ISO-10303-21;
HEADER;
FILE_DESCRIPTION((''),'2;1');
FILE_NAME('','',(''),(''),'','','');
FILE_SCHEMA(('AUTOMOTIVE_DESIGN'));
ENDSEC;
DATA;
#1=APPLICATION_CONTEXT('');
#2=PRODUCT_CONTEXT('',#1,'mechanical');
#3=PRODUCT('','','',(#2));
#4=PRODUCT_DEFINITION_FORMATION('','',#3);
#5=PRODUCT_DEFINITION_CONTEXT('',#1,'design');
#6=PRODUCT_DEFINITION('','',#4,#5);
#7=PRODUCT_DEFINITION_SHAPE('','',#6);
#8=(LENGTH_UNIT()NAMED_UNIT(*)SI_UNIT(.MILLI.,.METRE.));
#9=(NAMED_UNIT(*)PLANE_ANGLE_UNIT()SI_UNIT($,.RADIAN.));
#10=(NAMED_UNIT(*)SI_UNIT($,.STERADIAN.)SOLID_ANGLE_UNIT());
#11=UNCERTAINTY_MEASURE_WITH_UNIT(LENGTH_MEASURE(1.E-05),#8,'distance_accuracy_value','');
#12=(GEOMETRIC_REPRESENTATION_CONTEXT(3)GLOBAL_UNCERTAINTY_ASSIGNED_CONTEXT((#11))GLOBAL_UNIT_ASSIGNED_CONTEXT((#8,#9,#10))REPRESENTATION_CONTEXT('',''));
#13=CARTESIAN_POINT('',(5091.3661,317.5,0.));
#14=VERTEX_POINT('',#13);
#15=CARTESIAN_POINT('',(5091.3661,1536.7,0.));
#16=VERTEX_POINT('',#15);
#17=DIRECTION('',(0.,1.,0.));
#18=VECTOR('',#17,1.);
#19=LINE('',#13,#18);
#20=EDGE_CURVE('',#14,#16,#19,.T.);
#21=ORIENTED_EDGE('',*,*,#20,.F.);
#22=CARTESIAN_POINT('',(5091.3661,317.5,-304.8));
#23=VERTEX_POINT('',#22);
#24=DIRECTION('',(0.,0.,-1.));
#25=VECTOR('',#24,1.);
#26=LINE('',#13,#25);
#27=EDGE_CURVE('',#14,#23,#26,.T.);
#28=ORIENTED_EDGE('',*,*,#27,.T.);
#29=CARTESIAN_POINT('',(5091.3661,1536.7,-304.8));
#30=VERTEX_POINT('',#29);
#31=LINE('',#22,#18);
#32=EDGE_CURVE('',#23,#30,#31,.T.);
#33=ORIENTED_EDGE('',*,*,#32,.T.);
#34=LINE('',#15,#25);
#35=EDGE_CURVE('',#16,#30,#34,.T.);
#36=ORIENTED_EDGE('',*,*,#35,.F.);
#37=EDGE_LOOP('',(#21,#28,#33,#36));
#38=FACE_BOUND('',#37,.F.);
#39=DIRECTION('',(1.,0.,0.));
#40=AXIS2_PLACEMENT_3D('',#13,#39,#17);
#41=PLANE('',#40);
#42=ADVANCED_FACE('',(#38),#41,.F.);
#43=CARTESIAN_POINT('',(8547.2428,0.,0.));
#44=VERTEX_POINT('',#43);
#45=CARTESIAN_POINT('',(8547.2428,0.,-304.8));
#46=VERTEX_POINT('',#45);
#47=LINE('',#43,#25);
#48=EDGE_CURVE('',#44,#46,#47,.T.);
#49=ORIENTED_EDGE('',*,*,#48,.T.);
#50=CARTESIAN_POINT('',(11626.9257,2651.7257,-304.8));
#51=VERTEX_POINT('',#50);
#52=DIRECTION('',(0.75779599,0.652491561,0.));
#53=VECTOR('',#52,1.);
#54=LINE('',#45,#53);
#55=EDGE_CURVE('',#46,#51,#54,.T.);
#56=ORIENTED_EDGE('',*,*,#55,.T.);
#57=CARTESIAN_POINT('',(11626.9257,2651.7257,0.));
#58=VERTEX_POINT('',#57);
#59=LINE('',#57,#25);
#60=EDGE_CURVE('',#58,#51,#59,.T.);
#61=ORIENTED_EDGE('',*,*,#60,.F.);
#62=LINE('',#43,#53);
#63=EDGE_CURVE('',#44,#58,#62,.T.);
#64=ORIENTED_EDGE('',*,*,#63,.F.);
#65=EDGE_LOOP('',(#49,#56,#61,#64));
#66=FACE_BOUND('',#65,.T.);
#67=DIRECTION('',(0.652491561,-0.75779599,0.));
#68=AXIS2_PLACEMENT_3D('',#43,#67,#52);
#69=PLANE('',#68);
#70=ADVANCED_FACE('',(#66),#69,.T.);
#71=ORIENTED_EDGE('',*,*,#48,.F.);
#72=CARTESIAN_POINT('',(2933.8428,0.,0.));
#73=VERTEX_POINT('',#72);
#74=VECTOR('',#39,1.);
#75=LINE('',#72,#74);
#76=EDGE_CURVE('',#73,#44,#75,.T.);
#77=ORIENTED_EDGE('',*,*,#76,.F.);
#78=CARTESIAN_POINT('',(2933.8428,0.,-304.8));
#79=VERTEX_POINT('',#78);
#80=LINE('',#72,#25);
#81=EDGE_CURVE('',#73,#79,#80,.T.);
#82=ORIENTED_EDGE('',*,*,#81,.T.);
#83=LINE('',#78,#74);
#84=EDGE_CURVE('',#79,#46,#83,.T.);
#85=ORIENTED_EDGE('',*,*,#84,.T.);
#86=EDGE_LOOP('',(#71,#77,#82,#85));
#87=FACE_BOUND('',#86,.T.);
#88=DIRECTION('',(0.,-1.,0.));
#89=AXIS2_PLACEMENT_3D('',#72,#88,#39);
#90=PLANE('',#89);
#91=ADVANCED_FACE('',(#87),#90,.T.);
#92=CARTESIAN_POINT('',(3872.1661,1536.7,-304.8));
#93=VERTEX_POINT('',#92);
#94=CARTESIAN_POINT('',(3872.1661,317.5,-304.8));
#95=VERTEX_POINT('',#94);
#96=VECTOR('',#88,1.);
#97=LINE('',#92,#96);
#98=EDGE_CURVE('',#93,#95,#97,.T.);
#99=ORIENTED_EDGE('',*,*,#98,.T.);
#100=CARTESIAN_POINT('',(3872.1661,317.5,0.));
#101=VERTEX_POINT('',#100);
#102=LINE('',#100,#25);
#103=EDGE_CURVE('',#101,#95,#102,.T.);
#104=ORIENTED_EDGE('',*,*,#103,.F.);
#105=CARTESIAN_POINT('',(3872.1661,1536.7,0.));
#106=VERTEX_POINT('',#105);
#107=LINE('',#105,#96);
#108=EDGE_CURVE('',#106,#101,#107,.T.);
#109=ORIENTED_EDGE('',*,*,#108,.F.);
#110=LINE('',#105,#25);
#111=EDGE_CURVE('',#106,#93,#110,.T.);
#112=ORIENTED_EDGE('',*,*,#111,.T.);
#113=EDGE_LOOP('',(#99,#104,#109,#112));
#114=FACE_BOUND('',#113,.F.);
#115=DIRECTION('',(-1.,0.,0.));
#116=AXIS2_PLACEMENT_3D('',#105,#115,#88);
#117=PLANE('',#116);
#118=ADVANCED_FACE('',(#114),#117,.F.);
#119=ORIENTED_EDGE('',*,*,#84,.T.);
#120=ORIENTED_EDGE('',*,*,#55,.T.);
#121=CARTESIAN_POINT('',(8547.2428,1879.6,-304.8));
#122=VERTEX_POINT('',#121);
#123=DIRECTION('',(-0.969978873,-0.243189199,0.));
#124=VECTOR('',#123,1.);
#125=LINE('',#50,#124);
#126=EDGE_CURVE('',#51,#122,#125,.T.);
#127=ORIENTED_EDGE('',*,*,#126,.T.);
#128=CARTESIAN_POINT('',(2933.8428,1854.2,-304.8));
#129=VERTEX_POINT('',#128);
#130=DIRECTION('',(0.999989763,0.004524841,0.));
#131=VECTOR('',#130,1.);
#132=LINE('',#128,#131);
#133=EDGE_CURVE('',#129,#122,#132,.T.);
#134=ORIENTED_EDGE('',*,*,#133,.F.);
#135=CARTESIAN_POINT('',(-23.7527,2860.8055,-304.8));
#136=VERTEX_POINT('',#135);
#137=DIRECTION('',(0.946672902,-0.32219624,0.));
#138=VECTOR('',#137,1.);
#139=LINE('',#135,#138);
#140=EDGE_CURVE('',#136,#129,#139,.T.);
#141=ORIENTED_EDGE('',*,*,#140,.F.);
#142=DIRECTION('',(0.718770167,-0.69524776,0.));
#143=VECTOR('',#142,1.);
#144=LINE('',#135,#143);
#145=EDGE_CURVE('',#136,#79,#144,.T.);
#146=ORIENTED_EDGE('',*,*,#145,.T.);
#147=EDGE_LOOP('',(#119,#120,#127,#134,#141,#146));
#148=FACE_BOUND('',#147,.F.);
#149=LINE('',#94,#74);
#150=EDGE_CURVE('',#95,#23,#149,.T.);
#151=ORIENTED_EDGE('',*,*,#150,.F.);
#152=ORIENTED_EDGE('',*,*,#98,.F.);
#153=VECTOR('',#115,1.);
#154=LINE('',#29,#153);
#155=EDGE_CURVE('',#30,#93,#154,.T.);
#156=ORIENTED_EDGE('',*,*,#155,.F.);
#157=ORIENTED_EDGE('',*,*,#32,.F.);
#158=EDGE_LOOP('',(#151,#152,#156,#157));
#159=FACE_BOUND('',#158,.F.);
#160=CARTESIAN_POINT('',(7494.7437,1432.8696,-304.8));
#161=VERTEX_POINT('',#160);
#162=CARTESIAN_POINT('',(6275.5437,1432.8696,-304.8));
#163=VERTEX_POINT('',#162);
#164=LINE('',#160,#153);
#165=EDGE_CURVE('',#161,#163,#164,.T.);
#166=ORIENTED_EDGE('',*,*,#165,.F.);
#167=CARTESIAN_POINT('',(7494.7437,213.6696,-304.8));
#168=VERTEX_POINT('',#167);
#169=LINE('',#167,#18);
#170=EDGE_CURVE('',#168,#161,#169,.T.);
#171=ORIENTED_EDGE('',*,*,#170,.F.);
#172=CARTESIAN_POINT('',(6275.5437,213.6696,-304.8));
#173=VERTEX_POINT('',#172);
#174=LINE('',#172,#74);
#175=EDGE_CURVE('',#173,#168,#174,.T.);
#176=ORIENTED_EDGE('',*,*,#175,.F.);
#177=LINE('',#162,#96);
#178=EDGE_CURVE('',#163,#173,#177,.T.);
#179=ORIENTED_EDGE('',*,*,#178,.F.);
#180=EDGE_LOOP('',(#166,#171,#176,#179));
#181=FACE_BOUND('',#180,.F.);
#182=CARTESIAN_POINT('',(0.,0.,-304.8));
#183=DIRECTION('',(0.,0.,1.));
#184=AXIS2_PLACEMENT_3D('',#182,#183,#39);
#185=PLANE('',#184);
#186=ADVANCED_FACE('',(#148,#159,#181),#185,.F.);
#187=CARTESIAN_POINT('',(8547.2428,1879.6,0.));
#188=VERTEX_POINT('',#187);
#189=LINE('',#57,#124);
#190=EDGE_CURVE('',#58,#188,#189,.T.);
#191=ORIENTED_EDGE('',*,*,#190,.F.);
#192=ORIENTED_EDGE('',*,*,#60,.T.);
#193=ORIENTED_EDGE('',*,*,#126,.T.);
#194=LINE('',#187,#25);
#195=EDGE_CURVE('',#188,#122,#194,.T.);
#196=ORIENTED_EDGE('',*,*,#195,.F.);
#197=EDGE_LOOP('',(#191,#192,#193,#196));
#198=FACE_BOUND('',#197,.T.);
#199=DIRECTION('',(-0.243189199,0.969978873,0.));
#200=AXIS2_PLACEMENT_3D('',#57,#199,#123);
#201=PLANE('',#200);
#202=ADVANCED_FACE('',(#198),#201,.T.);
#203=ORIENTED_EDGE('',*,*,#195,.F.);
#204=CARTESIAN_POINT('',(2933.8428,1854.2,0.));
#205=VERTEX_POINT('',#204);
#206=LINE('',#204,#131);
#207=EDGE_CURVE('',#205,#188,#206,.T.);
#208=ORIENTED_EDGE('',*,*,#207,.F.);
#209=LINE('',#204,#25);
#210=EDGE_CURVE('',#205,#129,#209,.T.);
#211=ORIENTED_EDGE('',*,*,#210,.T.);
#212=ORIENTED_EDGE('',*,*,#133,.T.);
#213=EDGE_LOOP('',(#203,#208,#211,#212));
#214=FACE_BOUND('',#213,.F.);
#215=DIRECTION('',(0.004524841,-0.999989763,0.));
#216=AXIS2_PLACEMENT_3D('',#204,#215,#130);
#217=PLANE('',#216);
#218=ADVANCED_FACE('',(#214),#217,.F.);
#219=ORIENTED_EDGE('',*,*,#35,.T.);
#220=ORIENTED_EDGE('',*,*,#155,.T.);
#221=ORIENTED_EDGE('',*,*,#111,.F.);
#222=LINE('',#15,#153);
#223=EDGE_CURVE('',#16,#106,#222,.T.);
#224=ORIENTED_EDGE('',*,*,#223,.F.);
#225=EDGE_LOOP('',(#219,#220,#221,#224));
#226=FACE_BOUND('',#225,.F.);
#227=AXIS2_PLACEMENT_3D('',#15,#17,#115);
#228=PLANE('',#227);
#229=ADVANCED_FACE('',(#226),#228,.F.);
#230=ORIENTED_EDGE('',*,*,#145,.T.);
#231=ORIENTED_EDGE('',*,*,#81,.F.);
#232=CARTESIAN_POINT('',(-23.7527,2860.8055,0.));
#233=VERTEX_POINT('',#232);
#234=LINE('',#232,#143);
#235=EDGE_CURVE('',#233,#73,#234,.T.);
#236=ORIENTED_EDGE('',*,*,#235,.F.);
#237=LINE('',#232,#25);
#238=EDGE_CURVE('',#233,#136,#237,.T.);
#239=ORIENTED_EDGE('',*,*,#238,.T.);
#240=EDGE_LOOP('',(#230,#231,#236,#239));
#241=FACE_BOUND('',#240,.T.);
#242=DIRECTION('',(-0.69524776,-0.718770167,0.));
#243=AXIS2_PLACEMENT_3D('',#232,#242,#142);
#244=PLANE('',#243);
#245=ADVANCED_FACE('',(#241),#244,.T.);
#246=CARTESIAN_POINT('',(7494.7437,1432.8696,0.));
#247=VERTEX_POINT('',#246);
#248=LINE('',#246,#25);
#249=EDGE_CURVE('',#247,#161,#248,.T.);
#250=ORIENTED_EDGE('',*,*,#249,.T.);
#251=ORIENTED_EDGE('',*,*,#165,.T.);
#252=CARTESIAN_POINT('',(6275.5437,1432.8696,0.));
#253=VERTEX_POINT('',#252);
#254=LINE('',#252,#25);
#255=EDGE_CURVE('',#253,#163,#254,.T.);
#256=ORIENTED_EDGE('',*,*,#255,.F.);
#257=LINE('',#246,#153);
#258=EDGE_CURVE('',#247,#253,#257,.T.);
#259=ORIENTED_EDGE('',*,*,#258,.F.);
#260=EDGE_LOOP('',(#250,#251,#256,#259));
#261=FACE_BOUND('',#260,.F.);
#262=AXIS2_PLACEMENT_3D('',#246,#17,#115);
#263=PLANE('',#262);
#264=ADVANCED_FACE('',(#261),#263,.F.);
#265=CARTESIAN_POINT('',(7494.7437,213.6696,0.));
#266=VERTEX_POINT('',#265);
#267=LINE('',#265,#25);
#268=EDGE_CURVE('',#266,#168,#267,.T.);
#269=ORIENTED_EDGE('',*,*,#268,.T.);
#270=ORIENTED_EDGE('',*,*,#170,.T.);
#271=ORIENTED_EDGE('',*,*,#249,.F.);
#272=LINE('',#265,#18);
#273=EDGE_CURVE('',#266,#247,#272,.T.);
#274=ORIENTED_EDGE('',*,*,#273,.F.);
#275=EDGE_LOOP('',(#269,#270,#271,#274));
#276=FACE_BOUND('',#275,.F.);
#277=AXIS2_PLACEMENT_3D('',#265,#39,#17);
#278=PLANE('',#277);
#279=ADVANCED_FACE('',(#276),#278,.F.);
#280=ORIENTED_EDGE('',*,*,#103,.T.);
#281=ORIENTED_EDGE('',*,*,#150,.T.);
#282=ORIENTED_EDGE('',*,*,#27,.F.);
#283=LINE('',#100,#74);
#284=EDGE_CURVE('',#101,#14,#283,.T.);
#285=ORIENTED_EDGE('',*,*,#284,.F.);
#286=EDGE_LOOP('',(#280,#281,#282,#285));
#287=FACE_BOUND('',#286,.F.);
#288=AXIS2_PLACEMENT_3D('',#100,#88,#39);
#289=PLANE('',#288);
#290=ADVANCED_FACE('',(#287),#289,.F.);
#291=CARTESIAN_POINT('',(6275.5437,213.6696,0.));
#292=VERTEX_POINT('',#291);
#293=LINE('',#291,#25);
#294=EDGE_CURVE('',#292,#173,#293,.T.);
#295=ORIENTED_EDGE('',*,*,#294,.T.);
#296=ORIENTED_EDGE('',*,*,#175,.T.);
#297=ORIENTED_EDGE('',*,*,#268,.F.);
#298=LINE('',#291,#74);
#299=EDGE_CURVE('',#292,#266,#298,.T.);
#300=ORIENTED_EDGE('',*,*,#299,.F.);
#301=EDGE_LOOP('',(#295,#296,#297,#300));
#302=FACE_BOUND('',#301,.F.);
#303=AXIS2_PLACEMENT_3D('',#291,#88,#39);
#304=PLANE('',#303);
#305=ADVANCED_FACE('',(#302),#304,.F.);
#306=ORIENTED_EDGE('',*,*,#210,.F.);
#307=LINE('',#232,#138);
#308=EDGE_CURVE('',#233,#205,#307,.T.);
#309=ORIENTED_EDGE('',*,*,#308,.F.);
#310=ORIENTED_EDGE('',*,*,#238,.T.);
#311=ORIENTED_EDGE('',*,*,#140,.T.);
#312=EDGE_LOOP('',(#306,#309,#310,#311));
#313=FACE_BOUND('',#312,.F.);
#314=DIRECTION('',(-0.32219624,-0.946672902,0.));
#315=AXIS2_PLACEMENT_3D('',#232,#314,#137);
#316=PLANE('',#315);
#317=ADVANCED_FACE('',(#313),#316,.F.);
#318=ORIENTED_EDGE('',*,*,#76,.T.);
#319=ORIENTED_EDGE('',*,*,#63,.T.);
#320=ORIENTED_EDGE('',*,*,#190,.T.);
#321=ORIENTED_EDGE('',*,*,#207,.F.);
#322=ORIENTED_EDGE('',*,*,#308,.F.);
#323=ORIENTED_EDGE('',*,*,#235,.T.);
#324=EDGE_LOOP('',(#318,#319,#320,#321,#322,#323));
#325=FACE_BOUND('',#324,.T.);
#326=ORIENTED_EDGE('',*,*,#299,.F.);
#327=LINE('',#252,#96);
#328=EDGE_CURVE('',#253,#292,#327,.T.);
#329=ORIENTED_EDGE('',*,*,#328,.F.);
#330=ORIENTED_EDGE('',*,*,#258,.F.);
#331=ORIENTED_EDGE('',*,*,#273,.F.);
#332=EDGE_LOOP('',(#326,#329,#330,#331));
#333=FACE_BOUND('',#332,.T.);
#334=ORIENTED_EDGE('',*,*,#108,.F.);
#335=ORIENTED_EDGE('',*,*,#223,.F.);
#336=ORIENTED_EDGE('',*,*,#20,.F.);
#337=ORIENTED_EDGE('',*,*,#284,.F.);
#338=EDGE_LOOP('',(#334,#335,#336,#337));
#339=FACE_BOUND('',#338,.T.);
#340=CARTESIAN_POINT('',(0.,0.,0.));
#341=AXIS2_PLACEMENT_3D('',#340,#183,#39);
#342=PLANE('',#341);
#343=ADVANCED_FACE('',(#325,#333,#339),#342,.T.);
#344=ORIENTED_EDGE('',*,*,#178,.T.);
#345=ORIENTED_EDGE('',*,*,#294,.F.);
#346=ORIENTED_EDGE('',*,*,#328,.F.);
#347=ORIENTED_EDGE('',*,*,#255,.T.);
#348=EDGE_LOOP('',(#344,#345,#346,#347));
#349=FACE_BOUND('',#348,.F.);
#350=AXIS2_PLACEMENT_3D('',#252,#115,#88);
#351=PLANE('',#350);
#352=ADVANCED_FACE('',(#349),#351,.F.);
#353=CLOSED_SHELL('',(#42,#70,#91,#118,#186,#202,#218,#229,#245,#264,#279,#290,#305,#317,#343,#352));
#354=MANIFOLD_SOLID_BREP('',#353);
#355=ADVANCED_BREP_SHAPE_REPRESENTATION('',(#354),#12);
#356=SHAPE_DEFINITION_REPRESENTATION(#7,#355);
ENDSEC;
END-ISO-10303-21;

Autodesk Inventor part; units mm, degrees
ref_plane "YZ Plane" through (0, 0, 0) normal (1, 0, 0) x (0, 1, 0)
ref_plane "XZ Plane" through (0, 0, 0) normal (0, 1, 0) x (-1, 0, 0)
ref_plane "XY Plane" through (0, 0, 0) normal (0, 0, 1) x (1, 0, 0)
sketch "Sketch1" plane through (0, 0, 0) normal (0, 0, 1) x (1, 0, 0)
  line L0 (-23.7527, 2860.8055) -> (2933.8428, 0)
  line L1 (2933.8428, 0) -> (2933.8428, 1854.2)
  line L2 (2933.8428, 0) -> (8547.2428, 0)
  line L3 (8547.2428, 0) -> (8547.2428, 1879.6)
  line L4 (2933.8428, 1854.2) -> (2933.8428, 0)
  line L5 (8547.2428, 0) -> (11626.9257, 2651.7257)
  line L6 (11626.9257, 2651.7257) -> (8547.2428, 1879.6)
  line L7 (3872.1661, 317.5) -> (5091.3661, 317.5)
  line L8 (5091.3661, 317.5) -> (5091.3661, 1536.7)
  line L9 (5091.3661, 1536.7) -> (3872.1661, 1536.7)
  line L10 (3872.1661, 1536.7) -> (3872.1661, 317.5)
  line L11 (3872.1661, 317.5) -> (5091.3661, 1536.7) construction
  line L12 (5091.3661, 317.5) -> (3872.1661, 1536.7) construction
  line L13 (-23.7527, 2860.8055) -> (2933.8428, 1854.2)
  line L14 (2933.8428, 1854.2) -> (8547.2428, 1879.6)
  line L15 (6275.5437, 213.6696) -> (7494.7437, 213.6696)
  line L16 (7494.7437, 213.6696) -> (7494.7437, 1432.8696)
  line L17 (7494.7437, 1432.8696) -> (6275.5437, 1432.8696)
  line L18 (6275.5437, 1432.8696) -> (6275.5437, 213.6696)
  line L19 (6275.5437, 213.6696) -> (7494.7437, 1432.8696) construction
  line L20 (7494.7437, 213.6696) -> (6275.5437, 1432.8696) construction
  point P0 (0, 0)
  point P1 (4481.7661, 927.1)
  point P2 (6885.1437, 823.2696)
  dimension "d2" = 5613.4
  dimension "d5" = 1219.2
  dimension "d6" = 1219.2
  dimension "d8" = 4114.8
  dimension "d11" = 1854.2
  dimension "d12" = 3124.2
  dimension "d13" = 1879.6
  dimension "d14" = 4064
  dimension "d15" = 3175
  dimension "d16" = 1219.2
  dimension "d17" = 1219.2
extrude "Extrusion1" add sketch "Sketch1" against normal blind 304.8
properties part number "unwrappedDormerEastFacingPool"
